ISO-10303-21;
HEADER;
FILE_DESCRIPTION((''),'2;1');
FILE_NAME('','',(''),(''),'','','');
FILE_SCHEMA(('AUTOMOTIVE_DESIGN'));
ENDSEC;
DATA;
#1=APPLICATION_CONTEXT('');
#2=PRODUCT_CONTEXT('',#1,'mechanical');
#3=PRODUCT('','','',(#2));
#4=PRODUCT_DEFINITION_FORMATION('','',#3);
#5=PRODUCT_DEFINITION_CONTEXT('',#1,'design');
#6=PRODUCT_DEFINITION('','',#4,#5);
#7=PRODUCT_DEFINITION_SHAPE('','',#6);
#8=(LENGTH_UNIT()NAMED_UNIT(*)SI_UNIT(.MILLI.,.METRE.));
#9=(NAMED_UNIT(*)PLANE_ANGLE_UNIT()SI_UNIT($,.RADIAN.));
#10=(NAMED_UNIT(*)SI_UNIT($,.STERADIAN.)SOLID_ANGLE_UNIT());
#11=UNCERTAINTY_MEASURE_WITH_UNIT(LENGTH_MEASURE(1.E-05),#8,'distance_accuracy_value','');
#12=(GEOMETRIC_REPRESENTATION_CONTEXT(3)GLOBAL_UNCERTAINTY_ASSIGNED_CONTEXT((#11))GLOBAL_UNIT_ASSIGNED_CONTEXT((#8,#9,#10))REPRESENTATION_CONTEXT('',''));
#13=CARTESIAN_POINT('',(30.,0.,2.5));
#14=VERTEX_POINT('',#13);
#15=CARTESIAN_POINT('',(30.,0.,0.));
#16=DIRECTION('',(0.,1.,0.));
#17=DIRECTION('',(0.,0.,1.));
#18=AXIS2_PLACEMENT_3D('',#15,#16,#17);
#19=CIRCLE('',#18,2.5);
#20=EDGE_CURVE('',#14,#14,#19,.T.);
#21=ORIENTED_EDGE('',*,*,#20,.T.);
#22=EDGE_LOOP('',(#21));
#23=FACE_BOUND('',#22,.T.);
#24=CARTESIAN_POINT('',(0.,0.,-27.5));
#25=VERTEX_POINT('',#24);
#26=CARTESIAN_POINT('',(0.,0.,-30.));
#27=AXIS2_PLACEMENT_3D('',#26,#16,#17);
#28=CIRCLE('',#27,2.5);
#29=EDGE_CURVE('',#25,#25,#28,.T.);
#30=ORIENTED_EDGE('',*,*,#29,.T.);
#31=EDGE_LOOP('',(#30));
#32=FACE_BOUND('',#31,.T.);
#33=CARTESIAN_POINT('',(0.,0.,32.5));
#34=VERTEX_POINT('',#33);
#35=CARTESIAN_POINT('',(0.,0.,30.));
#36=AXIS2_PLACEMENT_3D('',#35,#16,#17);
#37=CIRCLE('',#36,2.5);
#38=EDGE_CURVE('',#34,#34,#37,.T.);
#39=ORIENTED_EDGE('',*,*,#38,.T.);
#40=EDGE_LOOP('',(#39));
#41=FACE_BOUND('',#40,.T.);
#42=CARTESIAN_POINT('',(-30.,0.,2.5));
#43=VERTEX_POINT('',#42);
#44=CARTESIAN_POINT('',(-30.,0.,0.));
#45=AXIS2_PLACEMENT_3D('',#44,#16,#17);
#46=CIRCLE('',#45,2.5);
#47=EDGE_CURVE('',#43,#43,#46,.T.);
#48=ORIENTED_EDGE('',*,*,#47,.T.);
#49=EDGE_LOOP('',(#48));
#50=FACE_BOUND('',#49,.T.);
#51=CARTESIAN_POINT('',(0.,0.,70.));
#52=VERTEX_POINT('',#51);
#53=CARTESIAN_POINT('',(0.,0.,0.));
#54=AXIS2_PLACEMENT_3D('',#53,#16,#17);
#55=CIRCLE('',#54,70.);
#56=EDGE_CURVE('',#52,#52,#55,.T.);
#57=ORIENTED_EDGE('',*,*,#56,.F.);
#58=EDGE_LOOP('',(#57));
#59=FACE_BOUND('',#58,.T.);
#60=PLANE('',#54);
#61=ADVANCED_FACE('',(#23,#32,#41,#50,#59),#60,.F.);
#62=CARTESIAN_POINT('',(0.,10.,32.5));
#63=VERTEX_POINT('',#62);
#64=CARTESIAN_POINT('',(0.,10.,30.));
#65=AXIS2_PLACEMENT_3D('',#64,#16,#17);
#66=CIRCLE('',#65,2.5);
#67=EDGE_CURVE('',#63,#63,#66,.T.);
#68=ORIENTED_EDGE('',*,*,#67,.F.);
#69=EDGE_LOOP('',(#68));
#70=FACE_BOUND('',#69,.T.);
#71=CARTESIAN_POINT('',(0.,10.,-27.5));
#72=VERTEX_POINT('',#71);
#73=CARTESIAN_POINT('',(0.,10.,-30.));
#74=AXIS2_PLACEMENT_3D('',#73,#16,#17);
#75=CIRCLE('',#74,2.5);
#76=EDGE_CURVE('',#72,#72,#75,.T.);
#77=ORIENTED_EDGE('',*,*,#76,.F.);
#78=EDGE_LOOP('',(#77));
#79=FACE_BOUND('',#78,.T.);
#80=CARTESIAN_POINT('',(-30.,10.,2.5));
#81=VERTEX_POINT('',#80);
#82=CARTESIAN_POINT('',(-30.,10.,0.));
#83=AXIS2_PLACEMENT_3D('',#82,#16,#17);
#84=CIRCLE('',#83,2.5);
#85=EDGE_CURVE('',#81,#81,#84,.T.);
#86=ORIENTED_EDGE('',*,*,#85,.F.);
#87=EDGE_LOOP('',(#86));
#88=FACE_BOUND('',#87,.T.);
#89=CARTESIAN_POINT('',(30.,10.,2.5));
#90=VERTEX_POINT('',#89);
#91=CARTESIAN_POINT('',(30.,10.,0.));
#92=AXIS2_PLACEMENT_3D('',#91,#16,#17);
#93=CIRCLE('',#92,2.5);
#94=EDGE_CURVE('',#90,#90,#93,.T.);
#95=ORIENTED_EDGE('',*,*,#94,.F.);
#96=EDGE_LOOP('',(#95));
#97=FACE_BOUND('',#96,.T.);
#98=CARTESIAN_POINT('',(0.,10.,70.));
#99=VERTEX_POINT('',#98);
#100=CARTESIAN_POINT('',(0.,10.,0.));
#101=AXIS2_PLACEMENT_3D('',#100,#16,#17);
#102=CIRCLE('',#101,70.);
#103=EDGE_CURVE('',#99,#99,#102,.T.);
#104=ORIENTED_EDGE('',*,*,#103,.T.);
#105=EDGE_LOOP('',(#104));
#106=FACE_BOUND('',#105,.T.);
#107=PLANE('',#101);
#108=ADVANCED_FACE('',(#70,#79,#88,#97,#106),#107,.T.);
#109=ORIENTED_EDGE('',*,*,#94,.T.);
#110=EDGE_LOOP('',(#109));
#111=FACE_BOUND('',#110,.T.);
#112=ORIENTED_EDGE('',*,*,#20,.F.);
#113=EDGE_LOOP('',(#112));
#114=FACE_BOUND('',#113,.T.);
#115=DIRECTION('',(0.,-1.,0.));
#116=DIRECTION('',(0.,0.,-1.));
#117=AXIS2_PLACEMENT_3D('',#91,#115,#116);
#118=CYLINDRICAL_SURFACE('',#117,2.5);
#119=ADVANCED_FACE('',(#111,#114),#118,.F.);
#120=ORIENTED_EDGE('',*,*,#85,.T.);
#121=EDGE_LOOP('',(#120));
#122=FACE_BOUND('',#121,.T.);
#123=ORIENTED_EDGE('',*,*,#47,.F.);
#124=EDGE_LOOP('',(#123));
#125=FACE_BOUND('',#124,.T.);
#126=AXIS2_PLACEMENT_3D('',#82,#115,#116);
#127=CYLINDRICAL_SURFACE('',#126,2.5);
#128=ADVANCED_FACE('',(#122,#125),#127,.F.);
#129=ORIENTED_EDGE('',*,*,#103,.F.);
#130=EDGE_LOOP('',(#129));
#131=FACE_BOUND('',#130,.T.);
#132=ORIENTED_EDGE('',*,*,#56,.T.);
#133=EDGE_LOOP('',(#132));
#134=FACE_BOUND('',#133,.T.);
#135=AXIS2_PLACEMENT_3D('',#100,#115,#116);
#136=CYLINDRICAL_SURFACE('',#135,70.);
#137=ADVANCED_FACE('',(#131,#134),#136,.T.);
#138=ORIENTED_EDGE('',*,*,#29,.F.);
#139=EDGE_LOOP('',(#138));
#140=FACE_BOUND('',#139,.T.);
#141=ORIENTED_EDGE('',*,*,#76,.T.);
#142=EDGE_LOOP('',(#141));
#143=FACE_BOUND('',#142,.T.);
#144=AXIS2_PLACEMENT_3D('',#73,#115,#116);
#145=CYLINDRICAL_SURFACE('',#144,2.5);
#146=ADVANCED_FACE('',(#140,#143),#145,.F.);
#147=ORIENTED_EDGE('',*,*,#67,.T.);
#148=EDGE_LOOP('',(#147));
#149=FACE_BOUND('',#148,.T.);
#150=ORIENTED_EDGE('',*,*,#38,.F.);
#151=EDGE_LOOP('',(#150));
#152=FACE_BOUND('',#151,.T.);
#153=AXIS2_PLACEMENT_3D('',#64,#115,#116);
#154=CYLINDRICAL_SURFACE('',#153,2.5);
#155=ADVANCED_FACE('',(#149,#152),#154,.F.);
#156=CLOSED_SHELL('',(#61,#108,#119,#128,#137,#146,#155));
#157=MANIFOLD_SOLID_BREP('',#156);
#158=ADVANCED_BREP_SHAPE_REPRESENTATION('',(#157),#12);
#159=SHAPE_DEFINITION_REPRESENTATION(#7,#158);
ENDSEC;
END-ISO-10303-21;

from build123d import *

# Parameters (mm, degrees)
CROQUIS1_R              = 70
CROQUIS1_R_2            = 2.5
SALIENTE_EXTRUIR1_DEPTH = 10


with BuildPart() as part:
    # Croquis1 → Saliente-Extruir1 (new body)
    with BuildSketch(Plane(origin=(0, 0, 0), x_dir=(1, 0, 0), z_dir=(0, 1, 0))):
        with Locations(Location((0, 0, 0), (0, 0, 270))):
            Circle(CROQUIS1_R)
        with Locations(Location((0, 30, 0), (0, 0, 270))):
            Circle(CROQUIS1_R_2, mode=Mode.SUBTRACT)
        with Locations(Location((30, 0, 0), (0, 0, 270))):
            Circle(CROQUIS1_R_2, mode=Mode.SUBTRACT)
        with Locations(Location((0, -30, 0), (0, 0, 270))):
            Circle(CROQUIS1_R_2, mode=Mode.SUBTRACT)
        with Locations(Location((-30, 0, 0), (0, 0, 270))):
            Circle(CROQUIS1_R_2, mode=Mode.SUBTRACT)
    extrude(amount=SALIENTE_EXTRUIR1_DEPTH)


solid = part.part
